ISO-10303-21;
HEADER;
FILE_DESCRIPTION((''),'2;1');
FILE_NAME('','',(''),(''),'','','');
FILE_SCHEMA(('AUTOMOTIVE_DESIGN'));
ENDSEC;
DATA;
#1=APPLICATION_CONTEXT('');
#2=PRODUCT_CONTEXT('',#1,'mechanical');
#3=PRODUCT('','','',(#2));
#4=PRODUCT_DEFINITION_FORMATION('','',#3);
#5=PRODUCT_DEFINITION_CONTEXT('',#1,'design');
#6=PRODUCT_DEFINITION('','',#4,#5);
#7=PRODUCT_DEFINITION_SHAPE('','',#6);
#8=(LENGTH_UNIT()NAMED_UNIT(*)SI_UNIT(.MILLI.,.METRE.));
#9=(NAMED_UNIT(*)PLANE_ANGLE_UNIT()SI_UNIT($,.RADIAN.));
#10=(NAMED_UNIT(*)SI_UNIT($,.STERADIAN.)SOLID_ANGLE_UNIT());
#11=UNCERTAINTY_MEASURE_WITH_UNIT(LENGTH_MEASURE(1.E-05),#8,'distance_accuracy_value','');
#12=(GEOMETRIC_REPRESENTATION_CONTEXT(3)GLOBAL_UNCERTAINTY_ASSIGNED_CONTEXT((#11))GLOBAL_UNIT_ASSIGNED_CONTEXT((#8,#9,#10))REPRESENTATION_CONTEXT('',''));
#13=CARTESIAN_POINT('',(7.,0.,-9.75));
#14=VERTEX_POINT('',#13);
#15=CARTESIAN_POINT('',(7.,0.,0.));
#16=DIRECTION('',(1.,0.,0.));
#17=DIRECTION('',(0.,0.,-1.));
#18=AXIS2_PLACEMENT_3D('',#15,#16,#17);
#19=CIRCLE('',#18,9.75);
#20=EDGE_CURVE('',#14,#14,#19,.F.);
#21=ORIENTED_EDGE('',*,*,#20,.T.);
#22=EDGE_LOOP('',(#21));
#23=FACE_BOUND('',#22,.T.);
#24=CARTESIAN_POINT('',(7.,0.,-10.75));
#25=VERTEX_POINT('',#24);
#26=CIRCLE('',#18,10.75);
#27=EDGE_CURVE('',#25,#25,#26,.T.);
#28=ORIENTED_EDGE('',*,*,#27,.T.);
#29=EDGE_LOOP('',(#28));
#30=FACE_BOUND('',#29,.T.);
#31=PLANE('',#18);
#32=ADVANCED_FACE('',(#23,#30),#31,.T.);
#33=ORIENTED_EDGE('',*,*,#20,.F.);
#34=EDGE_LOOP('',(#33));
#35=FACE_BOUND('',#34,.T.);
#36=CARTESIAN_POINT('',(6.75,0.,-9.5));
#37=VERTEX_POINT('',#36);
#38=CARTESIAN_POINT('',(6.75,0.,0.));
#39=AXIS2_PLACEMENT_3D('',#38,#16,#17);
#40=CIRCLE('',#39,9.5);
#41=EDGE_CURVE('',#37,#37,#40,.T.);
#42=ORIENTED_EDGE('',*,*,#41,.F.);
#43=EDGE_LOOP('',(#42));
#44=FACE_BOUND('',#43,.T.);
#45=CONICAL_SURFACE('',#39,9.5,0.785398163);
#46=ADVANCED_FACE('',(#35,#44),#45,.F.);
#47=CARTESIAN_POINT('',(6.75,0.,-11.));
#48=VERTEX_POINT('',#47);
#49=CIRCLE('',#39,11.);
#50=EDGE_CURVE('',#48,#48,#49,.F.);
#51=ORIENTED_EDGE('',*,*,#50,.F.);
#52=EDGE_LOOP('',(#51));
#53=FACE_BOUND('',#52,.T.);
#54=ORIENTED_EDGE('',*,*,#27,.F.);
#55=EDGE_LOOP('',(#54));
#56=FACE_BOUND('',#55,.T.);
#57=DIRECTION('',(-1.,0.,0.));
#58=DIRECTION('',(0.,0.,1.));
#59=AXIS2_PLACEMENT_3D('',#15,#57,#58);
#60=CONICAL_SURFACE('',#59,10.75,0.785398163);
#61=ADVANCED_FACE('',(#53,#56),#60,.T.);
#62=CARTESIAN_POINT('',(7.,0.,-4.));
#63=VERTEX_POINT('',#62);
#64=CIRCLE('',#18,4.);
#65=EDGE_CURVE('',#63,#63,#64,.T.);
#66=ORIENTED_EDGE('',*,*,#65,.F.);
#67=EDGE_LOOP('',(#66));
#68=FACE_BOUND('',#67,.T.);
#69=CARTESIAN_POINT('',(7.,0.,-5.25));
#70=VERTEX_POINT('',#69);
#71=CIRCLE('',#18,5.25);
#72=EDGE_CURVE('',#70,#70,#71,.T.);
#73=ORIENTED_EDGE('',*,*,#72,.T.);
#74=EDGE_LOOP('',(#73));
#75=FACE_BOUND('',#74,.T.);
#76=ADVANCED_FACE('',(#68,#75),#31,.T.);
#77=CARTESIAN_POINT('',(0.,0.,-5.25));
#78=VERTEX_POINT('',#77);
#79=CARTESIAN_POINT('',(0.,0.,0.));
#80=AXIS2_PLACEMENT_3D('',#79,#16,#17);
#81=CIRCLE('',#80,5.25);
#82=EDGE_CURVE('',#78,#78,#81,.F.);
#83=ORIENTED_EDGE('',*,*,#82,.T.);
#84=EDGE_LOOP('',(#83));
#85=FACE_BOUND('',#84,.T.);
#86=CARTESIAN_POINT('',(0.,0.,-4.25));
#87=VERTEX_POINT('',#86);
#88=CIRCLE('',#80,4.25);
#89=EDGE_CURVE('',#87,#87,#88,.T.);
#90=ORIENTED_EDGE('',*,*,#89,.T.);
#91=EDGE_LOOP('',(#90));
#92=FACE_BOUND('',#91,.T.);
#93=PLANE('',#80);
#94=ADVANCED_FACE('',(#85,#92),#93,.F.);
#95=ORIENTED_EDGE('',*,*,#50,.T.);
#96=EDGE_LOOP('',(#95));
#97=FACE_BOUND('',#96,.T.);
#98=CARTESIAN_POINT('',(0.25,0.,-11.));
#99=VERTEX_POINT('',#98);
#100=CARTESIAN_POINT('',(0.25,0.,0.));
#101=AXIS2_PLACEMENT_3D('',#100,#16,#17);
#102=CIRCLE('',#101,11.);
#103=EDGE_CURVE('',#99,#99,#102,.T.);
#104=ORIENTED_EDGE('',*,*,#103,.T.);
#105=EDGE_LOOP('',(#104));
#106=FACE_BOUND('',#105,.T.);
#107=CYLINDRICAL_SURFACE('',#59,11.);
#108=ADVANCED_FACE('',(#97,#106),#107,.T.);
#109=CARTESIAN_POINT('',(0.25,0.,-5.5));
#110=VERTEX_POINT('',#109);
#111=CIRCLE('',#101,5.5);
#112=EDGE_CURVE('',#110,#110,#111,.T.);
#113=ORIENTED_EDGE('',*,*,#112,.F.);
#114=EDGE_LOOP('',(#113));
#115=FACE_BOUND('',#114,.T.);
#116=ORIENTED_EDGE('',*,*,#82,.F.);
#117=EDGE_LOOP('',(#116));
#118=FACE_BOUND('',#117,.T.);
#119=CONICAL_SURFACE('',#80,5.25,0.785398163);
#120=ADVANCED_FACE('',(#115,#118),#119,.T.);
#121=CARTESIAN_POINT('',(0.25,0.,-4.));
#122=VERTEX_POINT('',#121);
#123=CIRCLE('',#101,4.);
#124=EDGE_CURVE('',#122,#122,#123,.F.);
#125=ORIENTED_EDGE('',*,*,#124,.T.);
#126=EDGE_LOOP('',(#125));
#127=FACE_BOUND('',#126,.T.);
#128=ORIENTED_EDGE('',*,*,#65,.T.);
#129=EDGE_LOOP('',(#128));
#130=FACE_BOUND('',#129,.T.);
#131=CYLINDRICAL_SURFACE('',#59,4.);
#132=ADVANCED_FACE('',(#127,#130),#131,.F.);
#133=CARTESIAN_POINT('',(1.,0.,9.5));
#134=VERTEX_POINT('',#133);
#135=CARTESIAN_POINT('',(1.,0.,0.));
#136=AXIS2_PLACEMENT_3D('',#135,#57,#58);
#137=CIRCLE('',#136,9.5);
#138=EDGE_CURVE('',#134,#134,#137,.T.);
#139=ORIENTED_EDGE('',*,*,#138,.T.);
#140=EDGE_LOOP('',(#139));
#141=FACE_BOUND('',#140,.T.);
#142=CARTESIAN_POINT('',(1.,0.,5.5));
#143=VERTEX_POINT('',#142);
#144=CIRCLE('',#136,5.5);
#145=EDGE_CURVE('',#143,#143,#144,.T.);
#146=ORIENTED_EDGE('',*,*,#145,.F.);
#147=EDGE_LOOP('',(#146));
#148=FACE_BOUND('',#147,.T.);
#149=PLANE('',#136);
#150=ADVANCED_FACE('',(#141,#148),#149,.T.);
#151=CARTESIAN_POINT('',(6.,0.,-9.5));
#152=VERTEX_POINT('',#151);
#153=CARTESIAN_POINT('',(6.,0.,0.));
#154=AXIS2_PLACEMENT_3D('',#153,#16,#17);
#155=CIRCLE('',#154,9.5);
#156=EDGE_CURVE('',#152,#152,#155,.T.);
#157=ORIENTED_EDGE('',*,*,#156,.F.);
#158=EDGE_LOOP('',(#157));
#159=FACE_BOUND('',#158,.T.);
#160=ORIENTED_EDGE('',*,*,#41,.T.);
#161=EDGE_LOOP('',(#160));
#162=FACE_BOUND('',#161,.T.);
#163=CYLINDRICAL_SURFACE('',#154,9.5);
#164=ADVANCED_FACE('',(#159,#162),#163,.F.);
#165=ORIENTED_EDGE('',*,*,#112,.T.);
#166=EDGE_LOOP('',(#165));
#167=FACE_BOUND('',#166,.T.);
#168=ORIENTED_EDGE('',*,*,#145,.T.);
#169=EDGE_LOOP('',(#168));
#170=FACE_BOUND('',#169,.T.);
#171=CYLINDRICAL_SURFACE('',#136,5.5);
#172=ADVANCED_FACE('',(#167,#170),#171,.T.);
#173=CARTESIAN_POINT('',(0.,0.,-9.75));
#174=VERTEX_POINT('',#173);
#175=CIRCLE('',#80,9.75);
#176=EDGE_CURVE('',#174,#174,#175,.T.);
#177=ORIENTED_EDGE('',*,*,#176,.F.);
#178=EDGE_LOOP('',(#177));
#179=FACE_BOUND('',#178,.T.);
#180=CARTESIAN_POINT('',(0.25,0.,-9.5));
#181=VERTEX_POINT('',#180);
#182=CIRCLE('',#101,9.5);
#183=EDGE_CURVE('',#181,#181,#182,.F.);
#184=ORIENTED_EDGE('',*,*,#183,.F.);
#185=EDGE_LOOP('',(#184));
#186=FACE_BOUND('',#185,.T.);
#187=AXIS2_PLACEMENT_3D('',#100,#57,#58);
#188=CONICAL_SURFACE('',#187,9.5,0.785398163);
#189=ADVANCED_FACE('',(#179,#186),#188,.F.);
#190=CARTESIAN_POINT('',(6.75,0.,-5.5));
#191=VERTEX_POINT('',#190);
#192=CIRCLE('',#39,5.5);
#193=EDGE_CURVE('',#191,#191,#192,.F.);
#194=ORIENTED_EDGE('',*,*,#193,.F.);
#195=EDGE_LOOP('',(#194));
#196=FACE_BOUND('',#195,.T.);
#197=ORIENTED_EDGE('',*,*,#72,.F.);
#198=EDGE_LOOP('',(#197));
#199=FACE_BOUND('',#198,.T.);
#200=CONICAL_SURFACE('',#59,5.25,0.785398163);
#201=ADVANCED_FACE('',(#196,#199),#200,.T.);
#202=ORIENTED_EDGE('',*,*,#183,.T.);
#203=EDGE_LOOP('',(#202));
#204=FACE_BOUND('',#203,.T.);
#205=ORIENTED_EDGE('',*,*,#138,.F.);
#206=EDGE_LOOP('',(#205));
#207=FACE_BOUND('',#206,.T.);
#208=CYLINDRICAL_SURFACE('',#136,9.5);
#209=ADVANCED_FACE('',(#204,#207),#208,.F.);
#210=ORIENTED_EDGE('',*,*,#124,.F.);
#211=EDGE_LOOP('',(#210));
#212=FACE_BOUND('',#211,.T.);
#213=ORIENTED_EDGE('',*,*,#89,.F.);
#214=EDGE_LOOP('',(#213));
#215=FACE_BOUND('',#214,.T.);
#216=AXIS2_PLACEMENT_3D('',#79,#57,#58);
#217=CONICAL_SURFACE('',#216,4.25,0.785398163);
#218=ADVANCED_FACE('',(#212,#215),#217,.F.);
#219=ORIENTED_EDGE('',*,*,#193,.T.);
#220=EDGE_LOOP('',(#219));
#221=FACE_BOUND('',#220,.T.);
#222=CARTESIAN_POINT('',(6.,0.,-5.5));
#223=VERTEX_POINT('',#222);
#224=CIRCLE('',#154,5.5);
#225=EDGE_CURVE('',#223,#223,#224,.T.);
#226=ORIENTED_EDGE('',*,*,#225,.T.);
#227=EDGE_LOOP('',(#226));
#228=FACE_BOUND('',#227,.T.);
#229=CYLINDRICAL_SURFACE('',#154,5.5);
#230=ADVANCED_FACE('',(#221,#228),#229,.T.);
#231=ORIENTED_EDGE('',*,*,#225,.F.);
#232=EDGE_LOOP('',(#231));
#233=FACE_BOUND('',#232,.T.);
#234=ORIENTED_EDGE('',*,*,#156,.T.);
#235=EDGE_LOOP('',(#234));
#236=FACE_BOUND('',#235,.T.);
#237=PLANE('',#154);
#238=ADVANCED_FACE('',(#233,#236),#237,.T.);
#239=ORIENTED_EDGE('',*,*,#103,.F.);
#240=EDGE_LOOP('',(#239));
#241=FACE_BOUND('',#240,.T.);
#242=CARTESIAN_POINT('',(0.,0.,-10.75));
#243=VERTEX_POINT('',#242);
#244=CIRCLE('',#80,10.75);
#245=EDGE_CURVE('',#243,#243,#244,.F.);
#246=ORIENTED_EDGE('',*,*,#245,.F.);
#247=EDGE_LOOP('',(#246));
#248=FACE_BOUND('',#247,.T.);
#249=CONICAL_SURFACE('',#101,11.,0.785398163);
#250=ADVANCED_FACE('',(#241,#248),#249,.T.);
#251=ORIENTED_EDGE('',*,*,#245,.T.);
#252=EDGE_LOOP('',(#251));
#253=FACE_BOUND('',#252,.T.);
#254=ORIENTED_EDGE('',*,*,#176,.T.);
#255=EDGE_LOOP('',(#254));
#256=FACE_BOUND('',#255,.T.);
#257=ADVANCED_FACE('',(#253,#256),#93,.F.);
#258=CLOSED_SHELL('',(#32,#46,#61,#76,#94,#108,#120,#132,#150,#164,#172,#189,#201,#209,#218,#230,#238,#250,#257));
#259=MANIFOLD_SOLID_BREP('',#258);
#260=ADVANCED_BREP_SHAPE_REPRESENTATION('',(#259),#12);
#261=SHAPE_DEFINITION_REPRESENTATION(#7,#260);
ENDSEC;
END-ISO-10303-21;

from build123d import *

# Parameters (mm, degrees)
SKETCH1_R          = 11
SKETCH1_R_2        = 4
EXTRUDE1_DEPTH     = 7
CHAMFER1_SIZE      = 0.25
SKETCH2_R          = 9.5
SKETCH2_R_2        = 5.5
CUT_EXTRUDE1_DEPTH = 1
SKETCH3_R          = 9.5
SKETCH3_R_2        = 5.5
CUT_EXTRUDE2_DEPTH = 1
CHAMFER2_SIZE      = 0.25


with BuildPart() as part:
    # Sketch1 → Extrude1 (new body)
    with BuildSketch(Plane(origin=(0, 0, 0), x_dir=(0, 0, -1), z_dir=(1, 0, 0))):
        Circle(SKETCH1_R)
        Circle(SKETCH1_R_2, mode=Mode.SUBTRACT)
    extrude(amount=EXTRUDE1_DEPTH)

    # Chamfer1
    chamfer1_edges = [part.edges().sort_by_distance(p)[0] for p in [
        (0, 0, 11),
        (7, 0, 11),
        (0, 0, 4),
    ]]
    chamfer(chamfer1_edges, length=CHAMFER1_SIZE)

    # Sketch2 → Cut-Extrude1 (cut)
    with BuildSketch(Plane.ZY):
        Circle(SKETCH2_R)
        Circle(SKETCH2_R_2, mode=Mode.SUBTRACT)
    extrude(amount=-CUT_EXTRUDE1_DEPTH, mode=Mode.SUBTRACT)

    # Sketch3 → Cut-Extrude2 (cut)
    with BuildSketch(Plane(origin=(7, 0, 0), x_dir=(0, 0, -1), z_dir=(1, 0, 0))):
        with Locations(Location((0, 0, 0), (0, 0, 180))):  # turned: the seam where the file's is
            Circle(SKETCH3_R)
        with Locations(Location((0, 0, 0), (0, 0, 180))):  # turned: the seam where the file's is
            Circle(SKETCH3_R_2, mode=Mode.SUBTRACT)
    extrude(amount=-CUT_EXTRUDE2_DEPTH, mode=Mode.SUBTRACT)

    # Chamfer2
    chamfer2_edges = [part.edges().sort_by_distance(p)[0] for p in [
        (0, 0, -9.5),
        (0, 0, -5.5),
        (7, 0, -9.5),
        (7, 0, -5.5),
    ]]
    chamfer(chamfer2_edges, length=CHAMFER2_SIZE)


solid = part.part
